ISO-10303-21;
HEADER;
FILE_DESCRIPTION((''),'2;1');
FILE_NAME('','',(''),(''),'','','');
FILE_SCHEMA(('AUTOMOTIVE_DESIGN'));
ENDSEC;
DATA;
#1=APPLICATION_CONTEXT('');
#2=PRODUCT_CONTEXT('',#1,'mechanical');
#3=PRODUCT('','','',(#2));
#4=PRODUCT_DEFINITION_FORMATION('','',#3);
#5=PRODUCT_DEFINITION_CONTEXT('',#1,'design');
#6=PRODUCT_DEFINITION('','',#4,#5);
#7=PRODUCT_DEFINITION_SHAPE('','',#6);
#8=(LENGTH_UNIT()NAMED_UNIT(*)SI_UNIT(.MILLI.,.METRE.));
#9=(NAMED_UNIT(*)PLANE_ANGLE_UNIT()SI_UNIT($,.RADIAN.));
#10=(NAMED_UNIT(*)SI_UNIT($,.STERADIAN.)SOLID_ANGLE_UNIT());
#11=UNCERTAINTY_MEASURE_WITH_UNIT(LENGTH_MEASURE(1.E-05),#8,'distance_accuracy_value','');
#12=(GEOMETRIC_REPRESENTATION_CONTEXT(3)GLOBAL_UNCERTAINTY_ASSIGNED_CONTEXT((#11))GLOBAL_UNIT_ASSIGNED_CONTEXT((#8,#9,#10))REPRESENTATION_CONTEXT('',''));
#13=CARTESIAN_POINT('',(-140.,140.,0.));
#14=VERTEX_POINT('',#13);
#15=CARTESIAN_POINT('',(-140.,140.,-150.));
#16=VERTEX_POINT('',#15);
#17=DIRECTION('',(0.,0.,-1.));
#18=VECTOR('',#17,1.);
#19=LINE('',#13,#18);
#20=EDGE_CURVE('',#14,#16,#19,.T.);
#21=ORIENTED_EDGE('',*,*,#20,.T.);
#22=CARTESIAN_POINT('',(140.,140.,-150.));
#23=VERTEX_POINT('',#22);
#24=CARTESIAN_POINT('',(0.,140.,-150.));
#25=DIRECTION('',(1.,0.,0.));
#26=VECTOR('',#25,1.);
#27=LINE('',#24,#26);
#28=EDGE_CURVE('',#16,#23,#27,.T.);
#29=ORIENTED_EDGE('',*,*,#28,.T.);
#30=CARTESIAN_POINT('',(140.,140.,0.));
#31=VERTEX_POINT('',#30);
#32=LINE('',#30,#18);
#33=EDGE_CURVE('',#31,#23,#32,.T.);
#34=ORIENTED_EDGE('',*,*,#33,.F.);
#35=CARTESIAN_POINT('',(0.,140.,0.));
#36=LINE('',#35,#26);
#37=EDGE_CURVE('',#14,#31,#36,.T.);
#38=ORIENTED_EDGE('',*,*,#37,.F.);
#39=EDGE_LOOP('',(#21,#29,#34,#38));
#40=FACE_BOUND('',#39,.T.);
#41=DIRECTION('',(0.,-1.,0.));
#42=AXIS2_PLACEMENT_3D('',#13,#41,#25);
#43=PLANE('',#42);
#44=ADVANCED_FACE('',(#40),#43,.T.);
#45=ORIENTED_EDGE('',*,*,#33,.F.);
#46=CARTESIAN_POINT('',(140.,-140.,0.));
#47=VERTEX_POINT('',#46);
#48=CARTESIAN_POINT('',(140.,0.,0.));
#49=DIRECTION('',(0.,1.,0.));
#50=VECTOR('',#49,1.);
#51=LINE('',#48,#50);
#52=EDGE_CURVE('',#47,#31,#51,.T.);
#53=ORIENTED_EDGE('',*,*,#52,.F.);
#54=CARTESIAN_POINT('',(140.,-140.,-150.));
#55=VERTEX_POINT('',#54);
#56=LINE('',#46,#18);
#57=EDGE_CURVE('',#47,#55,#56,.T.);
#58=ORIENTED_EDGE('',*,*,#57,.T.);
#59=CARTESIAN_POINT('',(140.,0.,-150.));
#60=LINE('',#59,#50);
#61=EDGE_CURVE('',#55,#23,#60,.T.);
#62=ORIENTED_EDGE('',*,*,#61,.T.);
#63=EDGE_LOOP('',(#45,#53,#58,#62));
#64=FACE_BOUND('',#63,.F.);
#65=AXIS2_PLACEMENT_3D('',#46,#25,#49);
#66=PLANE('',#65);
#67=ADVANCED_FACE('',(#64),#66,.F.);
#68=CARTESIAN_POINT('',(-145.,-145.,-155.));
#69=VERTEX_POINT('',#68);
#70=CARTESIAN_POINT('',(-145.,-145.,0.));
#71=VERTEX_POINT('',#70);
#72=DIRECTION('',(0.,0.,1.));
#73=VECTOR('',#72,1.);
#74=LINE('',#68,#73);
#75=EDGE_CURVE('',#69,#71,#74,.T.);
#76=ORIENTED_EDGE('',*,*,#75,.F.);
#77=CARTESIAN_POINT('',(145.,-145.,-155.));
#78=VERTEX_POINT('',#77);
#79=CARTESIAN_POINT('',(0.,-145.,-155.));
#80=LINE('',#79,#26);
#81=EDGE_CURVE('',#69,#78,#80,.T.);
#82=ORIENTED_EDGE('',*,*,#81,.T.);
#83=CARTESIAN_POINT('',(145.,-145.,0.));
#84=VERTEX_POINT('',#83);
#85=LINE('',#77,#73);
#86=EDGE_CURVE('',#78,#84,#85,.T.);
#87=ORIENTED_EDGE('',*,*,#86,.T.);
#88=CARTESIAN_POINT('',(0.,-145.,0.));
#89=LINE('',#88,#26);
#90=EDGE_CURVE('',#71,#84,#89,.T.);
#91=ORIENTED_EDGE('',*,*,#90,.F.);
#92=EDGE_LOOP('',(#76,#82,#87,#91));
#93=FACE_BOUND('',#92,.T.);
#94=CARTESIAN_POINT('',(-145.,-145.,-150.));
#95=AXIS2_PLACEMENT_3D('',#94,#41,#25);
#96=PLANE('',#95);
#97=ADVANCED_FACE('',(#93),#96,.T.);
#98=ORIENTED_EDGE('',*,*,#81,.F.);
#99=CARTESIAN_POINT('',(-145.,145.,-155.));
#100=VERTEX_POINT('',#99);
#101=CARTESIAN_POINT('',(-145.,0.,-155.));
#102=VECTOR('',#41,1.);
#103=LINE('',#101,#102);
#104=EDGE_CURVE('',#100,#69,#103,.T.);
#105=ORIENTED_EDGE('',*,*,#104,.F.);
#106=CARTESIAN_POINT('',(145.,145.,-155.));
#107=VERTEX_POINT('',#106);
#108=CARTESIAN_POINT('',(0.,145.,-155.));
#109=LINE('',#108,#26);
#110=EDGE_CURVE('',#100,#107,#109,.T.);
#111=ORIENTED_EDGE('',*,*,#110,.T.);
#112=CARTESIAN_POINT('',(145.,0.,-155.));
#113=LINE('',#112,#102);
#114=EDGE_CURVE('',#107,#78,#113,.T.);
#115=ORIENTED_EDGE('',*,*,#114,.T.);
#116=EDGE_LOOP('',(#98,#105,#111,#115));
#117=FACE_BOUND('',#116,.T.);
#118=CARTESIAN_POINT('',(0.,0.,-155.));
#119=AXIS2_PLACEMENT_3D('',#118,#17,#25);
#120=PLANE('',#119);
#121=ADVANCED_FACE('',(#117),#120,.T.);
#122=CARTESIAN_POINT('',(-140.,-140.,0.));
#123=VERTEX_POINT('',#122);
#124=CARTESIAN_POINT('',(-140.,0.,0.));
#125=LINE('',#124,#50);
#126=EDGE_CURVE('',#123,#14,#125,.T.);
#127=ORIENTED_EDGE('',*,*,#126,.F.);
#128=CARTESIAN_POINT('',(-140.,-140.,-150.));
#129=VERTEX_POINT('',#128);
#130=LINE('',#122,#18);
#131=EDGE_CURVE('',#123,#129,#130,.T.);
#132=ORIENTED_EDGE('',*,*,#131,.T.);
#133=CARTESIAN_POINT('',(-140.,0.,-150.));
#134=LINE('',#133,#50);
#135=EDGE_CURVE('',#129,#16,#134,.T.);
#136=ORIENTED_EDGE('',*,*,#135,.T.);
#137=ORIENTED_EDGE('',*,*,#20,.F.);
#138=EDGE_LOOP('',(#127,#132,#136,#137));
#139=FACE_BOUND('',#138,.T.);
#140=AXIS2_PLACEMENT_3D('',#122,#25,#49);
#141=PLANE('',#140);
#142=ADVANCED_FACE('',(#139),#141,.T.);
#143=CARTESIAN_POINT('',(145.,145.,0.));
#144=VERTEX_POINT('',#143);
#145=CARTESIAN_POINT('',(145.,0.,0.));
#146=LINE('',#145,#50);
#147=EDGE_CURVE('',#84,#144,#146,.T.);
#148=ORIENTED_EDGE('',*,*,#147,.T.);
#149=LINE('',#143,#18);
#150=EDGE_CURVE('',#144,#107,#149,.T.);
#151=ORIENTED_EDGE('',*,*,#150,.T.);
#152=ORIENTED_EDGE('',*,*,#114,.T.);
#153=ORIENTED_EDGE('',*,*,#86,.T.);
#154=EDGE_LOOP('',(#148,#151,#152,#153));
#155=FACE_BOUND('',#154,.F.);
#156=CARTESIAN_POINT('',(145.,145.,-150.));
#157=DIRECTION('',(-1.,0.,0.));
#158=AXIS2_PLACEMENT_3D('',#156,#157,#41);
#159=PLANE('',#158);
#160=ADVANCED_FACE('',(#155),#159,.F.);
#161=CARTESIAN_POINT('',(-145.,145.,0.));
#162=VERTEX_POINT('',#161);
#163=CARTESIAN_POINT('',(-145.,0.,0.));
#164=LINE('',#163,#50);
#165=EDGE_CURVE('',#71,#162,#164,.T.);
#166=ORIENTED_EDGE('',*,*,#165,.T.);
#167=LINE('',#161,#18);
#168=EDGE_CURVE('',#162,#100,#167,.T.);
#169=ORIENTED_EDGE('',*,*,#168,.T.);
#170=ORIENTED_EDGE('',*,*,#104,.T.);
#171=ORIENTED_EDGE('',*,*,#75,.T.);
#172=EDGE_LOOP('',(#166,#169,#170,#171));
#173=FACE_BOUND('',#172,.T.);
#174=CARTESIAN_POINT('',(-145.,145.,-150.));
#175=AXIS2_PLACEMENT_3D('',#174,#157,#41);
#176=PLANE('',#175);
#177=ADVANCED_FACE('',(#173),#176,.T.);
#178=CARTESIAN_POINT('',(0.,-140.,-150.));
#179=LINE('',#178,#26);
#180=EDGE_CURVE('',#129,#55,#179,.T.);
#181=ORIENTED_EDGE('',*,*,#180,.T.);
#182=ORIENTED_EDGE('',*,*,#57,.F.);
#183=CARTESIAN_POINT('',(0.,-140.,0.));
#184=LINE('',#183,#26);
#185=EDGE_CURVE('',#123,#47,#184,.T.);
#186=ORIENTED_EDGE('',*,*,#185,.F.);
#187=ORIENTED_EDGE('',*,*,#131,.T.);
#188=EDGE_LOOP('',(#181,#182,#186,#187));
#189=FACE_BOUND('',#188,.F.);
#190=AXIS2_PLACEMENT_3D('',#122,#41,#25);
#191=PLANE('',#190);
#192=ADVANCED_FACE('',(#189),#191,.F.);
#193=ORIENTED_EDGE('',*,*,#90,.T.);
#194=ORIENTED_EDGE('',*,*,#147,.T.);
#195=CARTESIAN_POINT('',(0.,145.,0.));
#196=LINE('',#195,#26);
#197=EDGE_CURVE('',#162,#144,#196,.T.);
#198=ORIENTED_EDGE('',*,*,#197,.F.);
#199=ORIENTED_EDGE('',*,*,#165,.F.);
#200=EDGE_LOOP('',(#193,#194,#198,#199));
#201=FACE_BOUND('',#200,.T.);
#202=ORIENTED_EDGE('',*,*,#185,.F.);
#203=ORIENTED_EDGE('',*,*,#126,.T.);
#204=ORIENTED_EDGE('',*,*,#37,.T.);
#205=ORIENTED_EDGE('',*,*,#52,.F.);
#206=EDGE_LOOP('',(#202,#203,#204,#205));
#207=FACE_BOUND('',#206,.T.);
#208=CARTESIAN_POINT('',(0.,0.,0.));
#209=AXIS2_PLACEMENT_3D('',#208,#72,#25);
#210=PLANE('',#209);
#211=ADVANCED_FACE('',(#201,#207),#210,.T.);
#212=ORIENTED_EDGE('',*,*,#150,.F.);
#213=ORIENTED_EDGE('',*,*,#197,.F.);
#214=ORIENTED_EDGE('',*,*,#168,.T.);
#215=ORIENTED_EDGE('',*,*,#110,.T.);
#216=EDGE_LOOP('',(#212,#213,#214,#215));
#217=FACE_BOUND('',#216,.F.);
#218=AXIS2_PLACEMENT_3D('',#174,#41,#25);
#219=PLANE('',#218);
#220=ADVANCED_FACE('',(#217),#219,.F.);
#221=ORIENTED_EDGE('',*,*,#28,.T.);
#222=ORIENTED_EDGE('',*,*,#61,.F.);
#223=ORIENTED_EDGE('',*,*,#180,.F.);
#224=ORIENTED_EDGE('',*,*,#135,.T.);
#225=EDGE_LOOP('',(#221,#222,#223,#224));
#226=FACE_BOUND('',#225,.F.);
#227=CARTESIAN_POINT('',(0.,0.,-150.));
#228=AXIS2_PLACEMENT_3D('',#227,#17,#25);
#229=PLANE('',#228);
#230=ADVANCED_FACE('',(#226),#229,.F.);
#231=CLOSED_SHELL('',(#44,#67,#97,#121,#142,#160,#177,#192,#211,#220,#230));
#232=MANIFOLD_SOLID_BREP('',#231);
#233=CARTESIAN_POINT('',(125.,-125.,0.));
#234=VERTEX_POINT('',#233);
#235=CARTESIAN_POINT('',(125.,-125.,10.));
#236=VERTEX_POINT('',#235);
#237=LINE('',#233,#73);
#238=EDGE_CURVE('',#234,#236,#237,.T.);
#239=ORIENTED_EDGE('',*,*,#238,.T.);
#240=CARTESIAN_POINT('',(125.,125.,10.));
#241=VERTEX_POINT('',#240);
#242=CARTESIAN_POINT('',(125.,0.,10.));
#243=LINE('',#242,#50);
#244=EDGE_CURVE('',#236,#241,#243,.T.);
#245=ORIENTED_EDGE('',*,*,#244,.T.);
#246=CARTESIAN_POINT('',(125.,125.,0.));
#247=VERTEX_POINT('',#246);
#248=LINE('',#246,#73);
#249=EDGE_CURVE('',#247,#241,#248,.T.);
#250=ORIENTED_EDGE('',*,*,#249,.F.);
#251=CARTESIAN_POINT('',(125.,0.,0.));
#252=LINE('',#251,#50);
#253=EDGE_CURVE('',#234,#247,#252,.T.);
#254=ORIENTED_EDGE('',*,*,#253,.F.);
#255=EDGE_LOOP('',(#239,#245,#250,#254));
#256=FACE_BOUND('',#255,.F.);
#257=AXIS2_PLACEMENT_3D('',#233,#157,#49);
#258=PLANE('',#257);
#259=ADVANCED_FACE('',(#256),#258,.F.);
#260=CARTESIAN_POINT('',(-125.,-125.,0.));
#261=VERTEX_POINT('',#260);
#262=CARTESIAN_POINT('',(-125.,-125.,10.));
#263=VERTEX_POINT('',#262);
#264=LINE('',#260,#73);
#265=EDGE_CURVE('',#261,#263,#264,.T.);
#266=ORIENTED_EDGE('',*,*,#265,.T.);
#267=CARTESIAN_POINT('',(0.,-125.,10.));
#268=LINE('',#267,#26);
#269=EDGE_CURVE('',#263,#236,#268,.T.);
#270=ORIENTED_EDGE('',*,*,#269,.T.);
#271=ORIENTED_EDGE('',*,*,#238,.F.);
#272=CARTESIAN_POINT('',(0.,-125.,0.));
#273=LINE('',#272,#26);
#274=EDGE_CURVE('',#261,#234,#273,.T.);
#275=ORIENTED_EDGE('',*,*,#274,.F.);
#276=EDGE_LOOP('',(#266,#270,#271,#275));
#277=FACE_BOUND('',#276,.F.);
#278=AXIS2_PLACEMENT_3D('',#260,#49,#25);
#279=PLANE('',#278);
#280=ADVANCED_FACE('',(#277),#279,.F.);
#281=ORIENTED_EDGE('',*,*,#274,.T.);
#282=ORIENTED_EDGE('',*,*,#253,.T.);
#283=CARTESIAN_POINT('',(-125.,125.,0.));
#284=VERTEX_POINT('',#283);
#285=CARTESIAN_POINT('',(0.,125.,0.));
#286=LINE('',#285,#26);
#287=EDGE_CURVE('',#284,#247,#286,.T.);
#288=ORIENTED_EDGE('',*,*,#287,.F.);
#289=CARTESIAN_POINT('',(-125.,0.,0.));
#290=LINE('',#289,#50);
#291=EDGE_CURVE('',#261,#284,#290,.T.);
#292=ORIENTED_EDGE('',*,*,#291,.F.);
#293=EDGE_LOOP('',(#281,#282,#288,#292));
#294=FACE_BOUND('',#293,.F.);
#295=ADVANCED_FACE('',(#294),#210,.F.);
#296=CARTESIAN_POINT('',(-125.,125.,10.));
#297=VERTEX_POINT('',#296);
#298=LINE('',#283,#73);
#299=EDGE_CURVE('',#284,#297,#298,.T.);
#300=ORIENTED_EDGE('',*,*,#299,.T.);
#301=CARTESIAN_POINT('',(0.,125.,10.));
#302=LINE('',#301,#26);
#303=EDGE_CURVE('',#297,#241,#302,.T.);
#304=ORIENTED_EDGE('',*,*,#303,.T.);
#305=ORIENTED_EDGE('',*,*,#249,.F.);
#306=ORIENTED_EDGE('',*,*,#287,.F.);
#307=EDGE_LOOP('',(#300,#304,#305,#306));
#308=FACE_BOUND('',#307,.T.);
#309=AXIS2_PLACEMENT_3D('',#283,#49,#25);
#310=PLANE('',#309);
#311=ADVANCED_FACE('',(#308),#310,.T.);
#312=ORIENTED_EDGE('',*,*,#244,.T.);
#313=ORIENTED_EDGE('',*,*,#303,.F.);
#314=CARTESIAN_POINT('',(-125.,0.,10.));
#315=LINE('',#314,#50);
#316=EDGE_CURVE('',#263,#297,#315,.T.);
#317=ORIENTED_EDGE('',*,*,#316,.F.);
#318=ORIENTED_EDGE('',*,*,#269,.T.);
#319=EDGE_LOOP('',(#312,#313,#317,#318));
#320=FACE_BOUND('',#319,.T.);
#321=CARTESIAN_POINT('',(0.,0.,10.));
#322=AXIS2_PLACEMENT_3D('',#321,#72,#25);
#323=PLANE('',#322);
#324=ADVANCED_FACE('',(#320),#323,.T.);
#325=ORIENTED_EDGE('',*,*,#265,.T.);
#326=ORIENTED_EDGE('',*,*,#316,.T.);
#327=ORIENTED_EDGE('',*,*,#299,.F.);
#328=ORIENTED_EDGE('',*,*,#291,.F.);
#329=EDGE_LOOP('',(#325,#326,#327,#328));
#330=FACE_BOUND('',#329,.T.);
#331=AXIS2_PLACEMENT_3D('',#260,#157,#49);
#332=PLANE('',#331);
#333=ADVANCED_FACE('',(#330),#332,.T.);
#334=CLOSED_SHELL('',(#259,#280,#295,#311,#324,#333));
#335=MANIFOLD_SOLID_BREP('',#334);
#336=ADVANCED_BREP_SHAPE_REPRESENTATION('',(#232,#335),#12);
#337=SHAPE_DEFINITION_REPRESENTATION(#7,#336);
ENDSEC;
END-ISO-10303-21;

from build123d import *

# Parameters (mm, degrees)
F0_W     = 250
F0_H     = 250
F1_DEPTH = 10
F2_W     = 290
F2_H     = 290
F2_W_2   = 280
F2_H_2   = 280
F3_DEPTH = 150
F4_W     = 290
F4_H     = 290
F4_W_2   = 280
F4_H_2   = 280
F5_DEPTH = 5


with BuildPart() as f1:
    # F0 (on Top) → F1 (new body)
    with BuildSketch(Plane.XY):
        Rectangle(F0_W, F0_H)
    extrude(amount=F1_DEPTH)


with BuildPart() as f3:
    # F2 (on Top) → F3 (new body)
    with BuildSketch(Plane.XY):
        Rectangle(F2_W, F2_H)
        Rectangle(F2_W_2, F2_H_2, mode=Mode.SUBTRACT)
    extrude(amount=-F3_DEPTH)

    # F4 (on face) → F5 (join)
    with BuildSketch(Plane(origin=(0, 0, -150), x_dir=(1, 0, 0), z_dir=(0, 0, -1))):
        Rectangle(F4_W, F4_H)
        Rectangle(F4_W_2, F4_H_2, mode=Mode.SUBTRACT)
        Rectangle(F4_W_2, F4_H_2)
    extrude(amount=F5_DEPTH)


solid = Compound([f1.part, f3.part])
